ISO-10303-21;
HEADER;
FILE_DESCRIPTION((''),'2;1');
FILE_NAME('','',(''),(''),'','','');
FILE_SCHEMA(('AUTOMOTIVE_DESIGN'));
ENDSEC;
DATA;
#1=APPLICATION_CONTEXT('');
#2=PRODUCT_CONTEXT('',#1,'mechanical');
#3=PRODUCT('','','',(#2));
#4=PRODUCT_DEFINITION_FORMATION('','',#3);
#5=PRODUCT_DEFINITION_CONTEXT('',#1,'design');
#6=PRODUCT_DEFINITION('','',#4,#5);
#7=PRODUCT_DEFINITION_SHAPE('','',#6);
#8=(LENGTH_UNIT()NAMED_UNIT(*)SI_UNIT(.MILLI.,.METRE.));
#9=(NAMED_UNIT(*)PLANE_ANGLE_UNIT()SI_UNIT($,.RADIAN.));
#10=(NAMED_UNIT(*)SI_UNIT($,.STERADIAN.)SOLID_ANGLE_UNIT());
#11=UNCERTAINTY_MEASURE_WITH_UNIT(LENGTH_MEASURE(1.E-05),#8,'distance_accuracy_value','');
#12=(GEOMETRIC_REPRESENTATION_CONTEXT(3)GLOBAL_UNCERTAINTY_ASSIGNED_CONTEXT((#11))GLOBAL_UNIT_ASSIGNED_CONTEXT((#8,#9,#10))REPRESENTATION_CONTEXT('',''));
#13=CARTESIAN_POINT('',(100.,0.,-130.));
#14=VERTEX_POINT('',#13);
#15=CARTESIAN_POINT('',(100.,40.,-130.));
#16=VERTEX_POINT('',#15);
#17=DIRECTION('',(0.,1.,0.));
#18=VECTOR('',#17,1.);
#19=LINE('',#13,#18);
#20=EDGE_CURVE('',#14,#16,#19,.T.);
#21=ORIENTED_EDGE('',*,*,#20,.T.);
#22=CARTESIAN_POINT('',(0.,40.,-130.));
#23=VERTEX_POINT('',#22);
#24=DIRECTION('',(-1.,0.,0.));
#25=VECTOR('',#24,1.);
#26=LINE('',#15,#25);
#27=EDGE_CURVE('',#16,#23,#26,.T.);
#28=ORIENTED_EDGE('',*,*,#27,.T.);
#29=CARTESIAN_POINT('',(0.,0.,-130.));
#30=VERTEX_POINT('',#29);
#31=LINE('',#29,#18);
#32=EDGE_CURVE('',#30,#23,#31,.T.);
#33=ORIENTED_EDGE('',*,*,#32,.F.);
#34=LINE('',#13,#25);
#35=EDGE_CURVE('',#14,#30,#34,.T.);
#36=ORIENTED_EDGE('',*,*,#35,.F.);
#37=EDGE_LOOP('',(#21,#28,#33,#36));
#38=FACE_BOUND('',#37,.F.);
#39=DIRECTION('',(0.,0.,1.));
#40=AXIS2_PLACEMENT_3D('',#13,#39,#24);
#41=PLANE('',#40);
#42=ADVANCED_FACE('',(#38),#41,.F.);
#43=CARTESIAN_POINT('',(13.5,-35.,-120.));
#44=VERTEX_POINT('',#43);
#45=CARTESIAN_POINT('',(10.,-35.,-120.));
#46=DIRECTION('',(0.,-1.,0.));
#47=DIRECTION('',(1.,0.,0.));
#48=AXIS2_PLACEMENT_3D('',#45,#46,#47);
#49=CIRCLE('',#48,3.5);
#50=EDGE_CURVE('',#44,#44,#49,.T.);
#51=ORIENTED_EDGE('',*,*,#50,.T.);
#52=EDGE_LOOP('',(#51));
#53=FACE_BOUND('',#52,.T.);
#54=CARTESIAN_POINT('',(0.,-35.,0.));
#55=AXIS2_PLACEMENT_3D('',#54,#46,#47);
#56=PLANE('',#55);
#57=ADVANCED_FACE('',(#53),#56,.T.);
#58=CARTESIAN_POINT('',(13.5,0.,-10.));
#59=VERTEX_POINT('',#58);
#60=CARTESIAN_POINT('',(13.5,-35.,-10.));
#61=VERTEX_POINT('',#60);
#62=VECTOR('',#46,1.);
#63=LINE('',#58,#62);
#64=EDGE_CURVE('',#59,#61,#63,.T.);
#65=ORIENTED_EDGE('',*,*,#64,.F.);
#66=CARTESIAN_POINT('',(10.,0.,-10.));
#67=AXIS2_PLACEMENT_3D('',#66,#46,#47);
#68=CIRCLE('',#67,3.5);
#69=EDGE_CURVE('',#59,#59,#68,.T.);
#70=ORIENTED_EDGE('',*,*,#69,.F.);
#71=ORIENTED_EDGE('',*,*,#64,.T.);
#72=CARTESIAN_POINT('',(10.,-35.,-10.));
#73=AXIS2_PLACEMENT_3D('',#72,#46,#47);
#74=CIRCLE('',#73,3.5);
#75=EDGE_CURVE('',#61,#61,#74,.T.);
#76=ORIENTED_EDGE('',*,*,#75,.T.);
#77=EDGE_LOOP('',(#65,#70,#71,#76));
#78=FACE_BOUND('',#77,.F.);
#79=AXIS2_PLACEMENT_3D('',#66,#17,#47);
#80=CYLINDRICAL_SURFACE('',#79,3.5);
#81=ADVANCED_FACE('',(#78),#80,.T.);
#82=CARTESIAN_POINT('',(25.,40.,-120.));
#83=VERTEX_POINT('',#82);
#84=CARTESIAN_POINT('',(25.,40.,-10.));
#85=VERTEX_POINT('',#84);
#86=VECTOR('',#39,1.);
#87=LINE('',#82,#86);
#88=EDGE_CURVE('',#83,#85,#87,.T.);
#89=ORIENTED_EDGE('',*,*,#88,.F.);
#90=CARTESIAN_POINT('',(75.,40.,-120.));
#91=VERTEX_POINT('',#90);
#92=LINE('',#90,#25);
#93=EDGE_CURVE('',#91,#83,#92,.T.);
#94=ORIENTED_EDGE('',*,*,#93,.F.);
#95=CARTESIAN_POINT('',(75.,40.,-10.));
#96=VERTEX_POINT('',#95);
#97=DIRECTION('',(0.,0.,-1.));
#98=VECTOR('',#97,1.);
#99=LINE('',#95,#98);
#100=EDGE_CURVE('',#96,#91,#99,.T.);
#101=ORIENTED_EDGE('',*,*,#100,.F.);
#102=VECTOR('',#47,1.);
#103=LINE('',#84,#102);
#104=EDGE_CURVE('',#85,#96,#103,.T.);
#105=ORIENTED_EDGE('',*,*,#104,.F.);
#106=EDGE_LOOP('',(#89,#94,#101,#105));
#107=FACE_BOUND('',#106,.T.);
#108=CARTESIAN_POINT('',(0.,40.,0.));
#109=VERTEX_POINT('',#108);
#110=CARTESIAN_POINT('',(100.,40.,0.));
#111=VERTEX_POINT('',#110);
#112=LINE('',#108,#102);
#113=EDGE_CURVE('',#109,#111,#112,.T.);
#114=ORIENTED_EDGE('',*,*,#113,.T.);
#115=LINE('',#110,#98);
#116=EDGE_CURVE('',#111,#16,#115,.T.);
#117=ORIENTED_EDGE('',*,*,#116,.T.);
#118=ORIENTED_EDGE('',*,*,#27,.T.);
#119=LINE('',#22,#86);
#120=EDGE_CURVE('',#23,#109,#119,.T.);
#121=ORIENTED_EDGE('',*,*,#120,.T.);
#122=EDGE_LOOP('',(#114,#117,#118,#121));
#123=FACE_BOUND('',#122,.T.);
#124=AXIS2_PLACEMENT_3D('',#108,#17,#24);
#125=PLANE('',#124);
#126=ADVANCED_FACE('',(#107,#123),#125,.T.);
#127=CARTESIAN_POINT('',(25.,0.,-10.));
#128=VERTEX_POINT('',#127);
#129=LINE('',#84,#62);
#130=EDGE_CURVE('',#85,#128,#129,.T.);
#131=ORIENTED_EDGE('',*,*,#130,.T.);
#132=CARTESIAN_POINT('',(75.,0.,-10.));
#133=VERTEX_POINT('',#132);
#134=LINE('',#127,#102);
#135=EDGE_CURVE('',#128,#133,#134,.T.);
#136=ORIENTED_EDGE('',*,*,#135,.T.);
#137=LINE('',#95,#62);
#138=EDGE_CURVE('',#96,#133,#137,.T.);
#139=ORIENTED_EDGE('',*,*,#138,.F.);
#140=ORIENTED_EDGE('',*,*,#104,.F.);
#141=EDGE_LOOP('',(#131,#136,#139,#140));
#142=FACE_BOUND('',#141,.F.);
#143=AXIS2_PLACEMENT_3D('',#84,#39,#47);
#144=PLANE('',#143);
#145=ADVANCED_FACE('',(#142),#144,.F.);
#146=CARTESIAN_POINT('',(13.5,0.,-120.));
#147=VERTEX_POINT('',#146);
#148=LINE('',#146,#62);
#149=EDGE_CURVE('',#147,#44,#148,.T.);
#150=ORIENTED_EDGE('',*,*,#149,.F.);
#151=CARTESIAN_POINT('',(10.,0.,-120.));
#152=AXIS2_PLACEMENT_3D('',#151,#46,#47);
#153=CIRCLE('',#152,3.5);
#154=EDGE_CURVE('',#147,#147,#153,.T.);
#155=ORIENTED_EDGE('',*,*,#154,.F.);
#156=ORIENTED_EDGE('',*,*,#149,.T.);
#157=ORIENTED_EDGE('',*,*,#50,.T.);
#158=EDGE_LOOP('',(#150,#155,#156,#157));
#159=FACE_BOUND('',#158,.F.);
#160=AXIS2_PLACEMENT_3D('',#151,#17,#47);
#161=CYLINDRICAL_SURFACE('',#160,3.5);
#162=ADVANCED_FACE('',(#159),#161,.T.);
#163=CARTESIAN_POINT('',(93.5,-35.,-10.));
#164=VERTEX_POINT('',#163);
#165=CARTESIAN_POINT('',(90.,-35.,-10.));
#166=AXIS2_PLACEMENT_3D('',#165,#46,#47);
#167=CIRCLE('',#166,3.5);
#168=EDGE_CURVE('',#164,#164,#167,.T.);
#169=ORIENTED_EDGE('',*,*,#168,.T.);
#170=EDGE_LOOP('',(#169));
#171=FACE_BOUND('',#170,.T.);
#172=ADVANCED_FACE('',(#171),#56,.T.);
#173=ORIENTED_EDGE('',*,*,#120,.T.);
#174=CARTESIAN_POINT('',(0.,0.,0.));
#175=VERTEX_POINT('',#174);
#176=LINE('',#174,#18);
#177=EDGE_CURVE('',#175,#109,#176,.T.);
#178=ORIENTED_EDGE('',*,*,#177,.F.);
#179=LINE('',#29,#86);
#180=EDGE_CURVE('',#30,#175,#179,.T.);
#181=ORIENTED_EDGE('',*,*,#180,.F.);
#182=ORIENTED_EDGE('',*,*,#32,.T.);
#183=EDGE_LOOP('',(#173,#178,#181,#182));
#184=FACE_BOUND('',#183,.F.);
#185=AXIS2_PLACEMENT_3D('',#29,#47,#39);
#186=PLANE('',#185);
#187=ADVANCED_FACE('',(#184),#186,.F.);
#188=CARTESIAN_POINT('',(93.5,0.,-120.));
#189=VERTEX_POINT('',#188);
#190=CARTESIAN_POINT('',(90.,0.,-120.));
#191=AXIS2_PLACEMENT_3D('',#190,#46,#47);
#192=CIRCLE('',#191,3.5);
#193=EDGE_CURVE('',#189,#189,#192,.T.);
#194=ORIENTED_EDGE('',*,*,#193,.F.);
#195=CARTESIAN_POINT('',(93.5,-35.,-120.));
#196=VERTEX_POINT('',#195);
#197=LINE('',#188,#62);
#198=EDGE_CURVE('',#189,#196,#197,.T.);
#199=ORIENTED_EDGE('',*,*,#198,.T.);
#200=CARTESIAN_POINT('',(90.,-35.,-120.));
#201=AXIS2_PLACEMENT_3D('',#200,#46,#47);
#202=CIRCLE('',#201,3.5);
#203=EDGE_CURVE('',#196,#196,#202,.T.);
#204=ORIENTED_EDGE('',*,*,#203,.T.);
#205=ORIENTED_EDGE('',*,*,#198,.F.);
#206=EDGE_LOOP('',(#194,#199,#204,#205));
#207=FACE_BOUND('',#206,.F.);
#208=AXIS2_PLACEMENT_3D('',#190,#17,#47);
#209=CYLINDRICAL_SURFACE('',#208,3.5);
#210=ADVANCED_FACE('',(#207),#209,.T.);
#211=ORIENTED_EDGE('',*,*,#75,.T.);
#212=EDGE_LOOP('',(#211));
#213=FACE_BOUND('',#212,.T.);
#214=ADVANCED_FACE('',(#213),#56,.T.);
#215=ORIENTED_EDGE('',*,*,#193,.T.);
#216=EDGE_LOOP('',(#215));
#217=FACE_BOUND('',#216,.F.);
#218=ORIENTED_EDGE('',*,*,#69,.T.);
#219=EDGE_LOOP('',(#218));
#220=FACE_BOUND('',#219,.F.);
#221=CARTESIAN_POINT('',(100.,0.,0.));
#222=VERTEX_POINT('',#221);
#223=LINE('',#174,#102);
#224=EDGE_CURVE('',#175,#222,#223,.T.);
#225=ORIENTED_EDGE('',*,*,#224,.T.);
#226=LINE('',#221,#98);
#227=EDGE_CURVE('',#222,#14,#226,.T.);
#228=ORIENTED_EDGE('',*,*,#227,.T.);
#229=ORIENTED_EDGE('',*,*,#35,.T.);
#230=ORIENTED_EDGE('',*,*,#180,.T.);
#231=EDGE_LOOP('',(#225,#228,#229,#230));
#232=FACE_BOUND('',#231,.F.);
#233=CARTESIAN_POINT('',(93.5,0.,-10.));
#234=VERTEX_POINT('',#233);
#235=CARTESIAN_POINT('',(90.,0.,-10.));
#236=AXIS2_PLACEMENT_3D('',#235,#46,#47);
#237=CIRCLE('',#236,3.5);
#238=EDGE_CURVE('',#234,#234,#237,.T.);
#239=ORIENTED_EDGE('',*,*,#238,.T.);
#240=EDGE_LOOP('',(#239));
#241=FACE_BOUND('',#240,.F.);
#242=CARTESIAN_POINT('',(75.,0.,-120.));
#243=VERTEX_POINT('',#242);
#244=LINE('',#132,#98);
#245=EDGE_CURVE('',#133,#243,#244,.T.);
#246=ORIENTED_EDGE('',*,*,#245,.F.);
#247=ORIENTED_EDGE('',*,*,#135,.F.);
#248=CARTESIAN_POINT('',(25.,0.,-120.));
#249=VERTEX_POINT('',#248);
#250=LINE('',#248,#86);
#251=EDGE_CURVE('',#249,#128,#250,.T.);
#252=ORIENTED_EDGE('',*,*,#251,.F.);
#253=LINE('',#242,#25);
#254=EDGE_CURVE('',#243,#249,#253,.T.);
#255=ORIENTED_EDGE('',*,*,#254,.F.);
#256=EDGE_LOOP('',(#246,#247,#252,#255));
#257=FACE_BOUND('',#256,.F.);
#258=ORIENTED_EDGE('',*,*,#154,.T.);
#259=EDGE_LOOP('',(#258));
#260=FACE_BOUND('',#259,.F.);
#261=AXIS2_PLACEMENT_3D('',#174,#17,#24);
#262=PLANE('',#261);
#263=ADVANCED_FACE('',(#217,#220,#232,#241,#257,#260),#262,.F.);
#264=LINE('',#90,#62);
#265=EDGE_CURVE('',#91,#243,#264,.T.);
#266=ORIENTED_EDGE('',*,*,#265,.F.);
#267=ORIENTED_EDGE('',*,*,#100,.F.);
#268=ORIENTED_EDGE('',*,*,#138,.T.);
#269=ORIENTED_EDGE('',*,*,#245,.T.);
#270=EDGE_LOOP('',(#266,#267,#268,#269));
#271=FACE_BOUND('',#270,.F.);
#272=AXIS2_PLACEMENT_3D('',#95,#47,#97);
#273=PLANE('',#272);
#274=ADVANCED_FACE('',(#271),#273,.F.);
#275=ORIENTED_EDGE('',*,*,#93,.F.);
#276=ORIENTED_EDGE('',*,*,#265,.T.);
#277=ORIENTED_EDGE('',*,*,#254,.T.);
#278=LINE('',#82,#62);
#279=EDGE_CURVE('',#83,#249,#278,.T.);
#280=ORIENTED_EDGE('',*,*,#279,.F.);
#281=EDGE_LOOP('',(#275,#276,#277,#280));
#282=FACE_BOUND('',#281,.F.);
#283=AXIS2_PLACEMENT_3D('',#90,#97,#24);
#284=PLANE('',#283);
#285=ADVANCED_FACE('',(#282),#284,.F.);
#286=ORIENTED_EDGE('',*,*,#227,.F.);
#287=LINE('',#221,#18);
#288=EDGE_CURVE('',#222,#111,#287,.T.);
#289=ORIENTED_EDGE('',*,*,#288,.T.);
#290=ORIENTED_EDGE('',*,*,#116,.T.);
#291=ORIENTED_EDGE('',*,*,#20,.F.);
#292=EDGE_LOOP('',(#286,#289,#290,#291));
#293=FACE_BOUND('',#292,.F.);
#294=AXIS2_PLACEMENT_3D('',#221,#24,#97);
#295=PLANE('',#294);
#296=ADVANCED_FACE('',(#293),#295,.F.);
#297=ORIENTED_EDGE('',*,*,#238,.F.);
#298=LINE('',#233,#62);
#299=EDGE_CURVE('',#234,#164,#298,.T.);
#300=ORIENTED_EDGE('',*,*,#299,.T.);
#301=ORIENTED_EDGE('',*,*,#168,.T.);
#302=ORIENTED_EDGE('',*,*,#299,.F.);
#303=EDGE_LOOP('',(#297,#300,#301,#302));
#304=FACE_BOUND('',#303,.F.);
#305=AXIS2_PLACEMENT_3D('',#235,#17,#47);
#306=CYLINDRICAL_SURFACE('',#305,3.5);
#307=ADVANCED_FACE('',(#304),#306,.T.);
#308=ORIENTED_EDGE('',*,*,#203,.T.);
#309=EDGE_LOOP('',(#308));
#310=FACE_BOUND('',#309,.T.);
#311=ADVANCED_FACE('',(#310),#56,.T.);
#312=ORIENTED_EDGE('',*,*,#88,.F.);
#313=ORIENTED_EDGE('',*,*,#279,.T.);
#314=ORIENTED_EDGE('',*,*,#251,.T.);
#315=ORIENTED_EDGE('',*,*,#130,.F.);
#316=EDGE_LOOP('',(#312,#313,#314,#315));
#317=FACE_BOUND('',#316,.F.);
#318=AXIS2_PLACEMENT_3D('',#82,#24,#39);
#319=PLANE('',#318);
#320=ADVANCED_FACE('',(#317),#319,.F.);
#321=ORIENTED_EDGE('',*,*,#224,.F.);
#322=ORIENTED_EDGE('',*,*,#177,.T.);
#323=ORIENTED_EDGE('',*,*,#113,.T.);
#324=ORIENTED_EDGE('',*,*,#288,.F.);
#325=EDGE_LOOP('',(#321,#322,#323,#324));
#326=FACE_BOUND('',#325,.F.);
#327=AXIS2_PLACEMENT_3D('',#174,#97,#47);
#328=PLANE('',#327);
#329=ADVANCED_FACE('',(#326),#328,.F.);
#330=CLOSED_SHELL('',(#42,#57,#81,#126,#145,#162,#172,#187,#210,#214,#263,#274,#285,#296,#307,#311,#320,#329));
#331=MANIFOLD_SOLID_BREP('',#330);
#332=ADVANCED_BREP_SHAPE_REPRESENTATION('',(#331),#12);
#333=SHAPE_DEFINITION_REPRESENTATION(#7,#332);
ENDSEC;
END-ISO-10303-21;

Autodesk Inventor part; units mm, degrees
ref_plane "YZ Plane" through (0, 0, 0) normal (1, 0, 0) x (0, 1, 0)
ref_plane "XZ Plane" through (0, 0, 0) normal (0, 1, 0) x (-1, 0, 0)
ref_plane "XY Plane" through (0, 0, 0) normal (0, 0, 1) x (1, 0, 0)
sketch "Sketch1" plane through (0, 0, 0) normal (0, 1, 0) x (-1, 0, 0)
  line L0 (0, 0) -> (-100, 0)
  line L1 (-100, 0) -> (-100, -130)
  line L2 (-100, -130) -> (0, -130)
  line L3 (0, -130) -> (0, 0)
  dimension "d0" = 100
  dimension "d1" = 130
extrude "Extrusion1" add sketch "Sketch1" along normal blind 40
sketch "Sketch2" plane through (0, 40, 0) normal (0, 1, 0) x (1, 0, 0)
  line L0 (25, 10) -> (75, 10)
  line L1 (75, 10) -> (75, 120)
  line L2 (75, 120) -> (25, 120)
  line L3 (25, 120) -> (25, 10)
  line L4 (100, 130) -> (0, 130) projected
  line L5 (0, 0) -> (100, 0) projected
  line L6 (0, 130) -> (0, 0) projected
  line L7 (100, 0) -> (100, 130) projected
  dimension "d4" = 10
  dimension "d5" = 10
  dimension "d6" = 25
  dimension "d7" = 25
extrude "Extrusion2" cut sketch "Sketch2" against normal blind 40 contours L3 L2 L1 L0
sketch "Sketch3" plane through (0, 0, 0) normal (0, -1, 0) x (1, 0, 0)
  circle A0 centre (90, -10) radius 3.5
  line L0 (100, 0) -> (100, -130) projected
  line L1 (0, 0) -> (100, 0) projected
  line L2 (0, 0) -> (100, 0) projected
  line L3 (50, 0) -> (50, -130)
  line L4 (100, 0) -> (100, -130) projected
  line L5 (100, -65) -> (0, -65)
  line L6 (0, -130) -> (0, 0) projected
  circle A1 centre (90, -120) radius 3.5
  circle A2 centre (10, -10) radius 3.5
  line L7 (0, 0) -> (0, -130)
  line L8 (0, 0) -> (0, -130)
  circle A3 centre (10, -120) radius 3.5
  dimension "d10" = 7
  dimension "d11" = 10
  dimension "d12" = 10
extrude "Extrusion3" add sketch "Sketch3" along normal blind 35 contours A0 | A1 | A2 | A3
properties part number "top"
